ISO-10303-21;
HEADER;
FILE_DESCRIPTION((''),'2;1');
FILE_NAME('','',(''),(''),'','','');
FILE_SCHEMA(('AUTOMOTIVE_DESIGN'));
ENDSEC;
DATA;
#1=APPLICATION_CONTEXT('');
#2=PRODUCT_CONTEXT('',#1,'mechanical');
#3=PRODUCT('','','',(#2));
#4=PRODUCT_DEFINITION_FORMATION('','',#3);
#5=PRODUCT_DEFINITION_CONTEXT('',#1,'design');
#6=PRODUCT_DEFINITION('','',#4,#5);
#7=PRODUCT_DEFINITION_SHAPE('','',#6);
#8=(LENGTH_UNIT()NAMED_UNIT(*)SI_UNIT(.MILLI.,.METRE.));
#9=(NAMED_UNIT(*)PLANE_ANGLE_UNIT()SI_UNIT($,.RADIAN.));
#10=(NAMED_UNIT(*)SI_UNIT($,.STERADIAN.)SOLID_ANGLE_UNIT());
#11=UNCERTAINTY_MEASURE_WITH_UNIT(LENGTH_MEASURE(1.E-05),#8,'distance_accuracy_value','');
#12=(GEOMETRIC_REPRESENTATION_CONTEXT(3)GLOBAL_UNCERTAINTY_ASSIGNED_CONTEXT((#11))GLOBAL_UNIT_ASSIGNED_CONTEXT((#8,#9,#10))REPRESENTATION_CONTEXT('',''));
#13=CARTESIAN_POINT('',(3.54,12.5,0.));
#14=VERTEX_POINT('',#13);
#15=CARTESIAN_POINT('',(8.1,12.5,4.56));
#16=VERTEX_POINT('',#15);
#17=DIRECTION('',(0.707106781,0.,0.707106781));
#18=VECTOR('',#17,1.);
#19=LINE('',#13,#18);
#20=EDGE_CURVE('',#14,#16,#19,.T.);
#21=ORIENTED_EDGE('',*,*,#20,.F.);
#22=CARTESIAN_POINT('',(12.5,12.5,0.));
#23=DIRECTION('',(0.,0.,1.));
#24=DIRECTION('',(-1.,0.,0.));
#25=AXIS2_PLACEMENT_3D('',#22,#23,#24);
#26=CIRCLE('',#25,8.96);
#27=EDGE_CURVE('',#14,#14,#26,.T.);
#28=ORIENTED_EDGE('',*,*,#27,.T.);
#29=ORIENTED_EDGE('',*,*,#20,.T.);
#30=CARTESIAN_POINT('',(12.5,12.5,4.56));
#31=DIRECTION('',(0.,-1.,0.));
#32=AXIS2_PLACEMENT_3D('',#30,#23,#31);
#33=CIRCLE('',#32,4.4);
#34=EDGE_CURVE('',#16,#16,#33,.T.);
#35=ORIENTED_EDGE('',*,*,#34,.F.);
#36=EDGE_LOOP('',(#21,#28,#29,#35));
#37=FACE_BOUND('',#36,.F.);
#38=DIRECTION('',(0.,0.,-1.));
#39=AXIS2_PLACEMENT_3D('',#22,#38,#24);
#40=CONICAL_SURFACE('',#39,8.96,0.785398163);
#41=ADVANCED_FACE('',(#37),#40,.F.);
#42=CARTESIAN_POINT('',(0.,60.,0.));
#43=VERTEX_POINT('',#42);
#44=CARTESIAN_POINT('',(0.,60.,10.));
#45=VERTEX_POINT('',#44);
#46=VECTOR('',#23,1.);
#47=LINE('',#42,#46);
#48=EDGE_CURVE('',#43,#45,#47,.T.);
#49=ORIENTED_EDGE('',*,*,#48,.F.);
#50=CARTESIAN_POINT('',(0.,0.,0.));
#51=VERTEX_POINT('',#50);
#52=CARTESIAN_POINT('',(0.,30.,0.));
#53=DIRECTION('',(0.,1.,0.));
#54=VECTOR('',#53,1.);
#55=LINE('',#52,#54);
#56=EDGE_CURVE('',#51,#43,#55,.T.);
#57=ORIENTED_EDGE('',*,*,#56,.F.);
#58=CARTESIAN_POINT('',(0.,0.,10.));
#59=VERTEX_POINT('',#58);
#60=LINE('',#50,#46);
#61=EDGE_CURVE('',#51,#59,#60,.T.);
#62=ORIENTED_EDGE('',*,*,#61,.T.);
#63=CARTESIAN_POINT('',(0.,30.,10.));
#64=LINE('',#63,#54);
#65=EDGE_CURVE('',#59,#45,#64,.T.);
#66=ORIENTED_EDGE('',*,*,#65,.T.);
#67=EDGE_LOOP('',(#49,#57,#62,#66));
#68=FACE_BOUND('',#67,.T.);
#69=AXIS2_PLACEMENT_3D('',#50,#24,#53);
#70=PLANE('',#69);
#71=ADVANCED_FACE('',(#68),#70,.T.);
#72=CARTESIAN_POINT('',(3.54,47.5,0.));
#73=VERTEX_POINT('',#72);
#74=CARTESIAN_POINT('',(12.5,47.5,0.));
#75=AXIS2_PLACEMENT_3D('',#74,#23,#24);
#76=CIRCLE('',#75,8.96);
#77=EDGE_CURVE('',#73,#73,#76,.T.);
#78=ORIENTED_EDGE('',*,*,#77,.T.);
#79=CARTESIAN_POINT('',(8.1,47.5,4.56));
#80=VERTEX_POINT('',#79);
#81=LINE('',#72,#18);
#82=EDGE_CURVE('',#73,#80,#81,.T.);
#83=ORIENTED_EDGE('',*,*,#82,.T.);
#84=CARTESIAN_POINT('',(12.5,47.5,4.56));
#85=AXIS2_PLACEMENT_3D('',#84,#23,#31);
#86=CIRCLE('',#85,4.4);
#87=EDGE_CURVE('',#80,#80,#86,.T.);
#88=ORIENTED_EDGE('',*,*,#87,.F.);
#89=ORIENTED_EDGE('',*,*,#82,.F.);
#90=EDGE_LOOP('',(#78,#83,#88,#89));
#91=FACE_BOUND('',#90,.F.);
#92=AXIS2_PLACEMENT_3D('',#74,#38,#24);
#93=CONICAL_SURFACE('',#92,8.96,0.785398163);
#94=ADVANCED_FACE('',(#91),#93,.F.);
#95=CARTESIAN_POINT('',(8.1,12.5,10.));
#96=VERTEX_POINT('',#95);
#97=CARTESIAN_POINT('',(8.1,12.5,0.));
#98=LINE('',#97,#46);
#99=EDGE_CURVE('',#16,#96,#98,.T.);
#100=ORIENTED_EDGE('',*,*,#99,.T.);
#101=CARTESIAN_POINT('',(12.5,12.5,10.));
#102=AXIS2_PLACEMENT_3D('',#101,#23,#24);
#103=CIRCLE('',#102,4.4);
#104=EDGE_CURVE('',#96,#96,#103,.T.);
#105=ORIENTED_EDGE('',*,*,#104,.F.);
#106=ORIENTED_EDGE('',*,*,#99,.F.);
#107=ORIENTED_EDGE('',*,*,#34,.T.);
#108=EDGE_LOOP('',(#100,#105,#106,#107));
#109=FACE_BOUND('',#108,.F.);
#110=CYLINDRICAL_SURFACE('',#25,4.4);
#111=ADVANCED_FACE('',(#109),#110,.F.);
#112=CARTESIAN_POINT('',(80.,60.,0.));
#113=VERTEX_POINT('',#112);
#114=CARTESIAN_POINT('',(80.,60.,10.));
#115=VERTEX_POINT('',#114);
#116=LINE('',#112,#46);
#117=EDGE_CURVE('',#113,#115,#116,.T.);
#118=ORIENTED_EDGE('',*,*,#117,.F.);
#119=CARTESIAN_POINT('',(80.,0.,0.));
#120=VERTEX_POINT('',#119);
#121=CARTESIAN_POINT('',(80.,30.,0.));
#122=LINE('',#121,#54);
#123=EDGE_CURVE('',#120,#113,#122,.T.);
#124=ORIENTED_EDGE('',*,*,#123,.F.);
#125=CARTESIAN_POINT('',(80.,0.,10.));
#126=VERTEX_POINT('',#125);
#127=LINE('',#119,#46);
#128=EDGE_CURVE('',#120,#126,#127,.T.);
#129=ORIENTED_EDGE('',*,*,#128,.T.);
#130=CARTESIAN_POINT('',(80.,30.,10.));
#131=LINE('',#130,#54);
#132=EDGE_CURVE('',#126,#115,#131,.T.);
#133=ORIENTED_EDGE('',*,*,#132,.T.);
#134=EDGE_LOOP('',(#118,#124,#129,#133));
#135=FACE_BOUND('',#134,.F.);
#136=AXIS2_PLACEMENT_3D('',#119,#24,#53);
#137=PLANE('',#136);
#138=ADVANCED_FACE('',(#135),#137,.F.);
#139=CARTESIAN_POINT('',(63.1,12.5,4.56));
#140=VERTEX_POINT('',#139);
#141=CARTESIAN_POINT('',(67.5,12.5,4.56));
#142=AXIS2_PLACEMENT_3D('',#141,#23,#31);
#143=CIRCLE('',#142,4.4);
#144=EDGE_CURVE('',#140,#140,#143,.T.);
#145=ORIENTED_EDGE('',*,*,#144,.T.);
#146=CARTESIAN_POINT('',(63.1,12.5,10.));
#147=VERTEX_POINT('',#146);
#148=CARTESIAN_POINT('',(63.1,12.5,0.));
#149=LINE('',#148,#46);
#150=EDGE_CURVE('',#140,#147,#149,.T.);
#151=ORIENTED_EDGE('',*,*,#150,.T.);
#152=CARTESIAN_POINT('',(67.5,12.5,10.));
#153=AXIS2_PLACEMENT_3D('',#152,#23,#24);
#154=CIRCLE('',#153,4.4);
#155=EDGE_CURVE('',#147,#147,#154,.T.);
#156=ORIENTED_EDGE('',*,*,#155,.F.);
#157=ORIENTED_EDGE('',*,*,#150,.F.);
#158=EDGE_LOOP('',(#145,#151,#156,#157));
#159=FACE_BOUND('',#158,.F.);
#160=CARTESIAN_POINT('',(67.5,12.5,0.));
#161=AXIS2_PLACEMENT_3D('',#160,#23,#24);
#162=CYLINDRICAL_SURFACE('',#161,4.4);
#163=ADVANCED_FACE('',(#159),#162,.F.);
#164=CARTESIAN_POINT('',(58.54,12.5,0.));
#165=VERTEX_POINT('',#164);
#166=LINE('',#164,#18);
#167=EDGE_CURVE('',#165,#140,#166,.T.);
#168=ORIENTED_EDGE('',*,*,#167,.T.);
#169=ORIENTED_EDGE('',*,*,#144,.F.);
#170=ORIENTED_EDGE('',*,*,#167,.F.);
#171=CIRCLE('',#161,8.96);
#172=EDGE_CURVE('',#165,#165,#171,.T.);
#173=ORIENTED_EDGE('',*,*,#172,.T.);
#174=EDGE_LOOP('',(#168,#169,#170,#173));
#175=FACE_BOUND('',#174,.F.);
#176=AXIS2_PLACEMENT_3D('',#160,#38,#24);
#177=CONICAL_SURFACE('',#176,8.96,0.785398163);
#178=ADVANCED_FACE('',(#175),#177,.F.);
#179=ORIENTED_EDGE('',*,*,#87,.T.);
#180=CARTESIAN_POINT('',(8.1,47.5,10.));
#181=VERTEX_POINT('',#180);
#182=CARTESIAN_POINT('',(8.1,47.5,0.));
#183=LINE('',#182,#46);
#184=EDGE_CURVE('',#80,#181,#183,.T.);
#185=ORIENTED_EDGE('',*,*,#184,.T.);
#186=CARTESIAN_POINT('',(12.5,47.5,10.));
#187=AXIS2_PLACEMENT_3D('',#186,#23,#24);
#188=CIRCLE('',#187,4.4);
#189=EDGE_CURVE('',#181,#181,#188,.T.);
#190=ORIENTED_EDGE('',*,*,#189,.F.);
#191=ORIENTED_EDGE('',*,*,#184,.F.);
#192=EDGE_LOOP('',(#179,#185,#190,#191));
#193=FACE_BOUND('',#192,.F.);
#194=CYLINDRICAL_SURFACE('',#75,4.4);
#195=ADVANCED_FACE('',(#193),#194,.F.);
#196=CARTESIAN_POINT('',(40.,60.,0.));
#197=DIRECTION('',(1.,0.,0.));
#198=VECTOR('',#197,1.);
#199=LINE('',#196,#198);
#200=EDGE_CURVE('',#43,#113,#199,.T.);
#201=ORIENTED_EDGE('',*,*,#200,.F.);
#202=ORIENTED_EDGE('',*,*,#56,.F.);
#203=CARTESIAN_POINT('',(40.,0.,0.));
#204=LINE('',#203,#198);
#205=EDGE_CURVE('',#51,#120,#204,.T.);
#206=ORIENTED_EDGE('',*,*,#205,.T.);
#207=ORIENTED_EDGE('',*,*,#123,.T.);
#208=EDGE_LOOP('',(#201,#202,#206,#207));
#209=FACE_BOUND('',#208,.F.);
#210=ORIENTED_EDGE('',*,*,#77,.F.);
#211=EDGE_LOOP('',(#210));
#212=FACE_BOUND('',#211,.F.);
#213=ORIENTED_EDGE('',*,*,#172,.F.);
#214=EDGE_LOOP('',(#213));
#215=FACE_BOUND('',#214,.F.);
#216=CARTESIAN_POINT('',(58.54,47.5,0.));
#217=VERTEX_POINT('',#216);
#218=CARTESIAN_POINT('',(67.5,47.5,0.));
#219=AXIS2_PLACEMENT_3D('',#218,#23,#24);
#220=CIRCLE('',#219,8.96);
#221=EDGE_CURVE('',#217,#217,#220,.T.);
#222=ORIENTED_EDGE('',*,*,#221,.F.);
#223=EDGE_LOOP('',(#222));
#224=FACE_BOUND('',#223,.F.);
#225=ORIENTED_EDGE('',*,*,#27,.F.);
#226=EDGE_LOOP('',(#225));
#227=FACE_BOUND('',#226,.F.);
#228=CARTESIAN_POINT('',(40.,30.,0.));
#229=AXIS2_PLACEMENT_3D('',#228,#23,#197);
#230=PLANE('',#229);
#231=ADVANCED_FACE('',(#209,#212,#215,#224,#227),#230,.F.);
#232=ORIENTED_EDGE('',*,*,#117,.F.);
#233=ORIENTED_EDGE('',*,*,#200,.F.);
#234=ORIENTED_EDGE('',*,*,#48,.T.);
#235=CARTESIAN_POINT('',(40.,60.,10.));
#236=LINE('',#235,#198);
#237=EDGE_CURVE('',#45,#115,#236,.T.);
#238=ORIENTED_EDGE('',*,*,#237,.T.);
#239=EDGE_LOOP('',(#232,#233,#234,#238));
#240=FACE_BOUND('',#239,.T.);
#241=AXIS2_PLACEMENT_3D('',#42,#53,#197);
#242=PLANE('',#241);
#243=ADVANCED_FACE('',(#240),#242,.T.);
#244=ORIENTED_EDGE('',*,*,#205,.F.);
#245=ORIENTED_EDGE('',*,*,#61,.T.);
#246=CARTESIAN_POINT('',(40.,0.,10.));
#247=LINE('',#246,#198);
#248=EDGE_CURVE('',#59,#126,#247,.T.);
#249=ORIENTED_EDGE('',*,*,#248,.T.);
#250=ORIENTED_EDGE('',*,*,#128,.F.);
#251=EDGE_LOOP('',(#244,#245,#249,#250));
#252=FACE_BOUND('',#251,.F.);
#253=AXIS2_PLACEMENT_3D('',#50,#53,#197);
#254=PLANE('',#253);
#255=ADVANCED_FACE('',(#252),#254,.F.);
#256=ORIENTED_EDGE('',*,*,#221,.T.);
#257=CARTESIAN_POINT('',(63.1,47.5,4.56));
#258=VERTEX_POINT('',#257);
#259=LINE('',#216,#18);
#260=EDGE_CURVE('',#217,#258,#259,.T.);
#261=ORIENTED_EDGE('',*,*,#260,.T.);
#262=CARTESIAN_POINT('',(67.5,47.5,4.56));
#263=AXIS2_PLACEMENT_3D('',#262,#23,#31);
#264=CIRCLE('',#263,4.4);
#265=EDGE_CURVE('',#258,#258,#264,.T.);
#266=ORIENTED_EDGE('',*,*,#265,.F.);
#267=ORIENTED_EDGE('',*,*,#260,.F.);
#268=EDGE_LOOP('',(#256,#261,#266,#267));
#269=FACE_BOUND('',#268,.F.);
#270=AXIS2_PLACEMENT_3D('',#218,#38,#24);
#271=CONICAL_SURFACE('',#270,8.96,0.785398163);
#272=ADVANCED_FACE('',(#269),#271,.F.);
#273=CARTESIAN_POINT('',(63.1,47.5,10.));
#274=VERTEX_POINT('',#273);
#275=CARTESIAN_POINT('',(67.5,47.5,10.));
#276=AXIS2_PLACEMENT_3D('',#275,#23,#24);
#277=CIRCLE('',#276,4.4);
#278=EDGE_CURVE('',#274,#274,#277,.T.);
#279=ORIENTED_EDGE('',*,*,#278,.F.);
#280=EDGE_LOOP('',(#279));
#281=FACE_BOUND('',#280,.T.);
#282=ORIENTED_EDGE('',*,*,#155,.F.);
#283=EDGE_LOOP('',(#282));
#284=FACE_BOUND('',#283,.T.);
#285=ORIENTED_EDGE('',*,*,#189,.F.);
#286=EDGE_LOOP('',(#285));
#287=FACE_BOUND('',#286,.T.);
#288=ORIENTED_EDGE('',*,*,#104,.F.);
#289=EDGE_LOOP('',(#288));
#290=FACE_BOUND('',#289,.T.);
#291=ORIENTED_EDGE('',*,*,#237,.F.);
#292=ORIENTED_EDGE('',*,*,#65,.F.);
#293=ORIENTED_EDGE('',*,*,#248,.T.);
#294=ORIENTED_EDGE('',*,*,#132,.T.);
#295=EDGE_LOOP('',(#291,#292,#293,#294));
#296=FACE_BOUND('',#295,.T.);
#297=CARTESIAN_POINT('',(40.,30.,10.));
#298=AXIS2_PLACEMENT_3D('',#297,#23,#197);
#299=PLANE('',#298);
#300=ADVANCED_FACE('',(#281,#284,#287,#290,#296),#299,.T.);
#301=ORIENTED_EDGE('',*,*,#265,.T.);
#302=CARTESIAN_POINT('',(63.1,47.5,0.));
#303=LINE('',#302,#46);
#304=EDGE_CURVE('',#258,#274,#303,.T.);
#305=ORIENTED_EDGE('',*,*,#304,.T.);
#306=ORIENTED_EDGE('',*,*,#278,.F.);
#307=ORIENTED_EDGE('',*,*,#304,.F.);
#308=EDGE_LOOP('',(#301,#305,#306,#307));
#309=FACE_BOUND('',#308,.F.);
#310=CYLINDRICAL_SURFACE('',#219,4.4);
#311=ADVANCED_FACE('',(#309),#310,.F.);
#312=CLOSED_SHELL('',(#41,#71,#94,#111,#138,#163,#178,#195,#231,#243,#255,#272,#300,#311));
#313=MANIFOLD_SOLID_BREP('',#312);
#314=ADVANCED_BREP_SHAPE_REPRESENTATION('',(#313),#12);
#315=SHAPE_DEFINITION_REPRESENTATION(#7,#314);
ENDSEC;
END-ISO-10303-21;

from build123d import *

# Parameters (mm, degrees)
F0_W           = 80
F0_H           = 60
F0_W_2         = 55
F0_H_2         = 35
F1_DEPTH       = 10
F2_D           = 8.8
F2_CSINK_D     = 17.92
F2_CSINK_ANGLE = 90


with BuildPart() as f1:
    # F0 (on Top) → F1 (new body)
    with BuildSketch(Plane.XY):
        with Locations((40, 30)):
            Rectangle(F0_W, F0_H)
        with Locations((40, 30)):
            Rectangle(F0_W_2, F0_H_2, mode=Mode.SUBTRACT)
        with Locations((40, 30)):
            Rectangle(F0_W_2, F0_H_2)
    extrude(amount=F1_DEPTH)

    # F2 (through all)
    with Locations(Plane(origin=(0, 0, 0), x_dir=(1, 0, 0), z_dir=(0, 0, -1))):
        with Locations((12.5, -12.5), (67.5, -12.5), (67.5, -47.5), (12.5, -47.5)):
            CounterSinkHole(F2_D / 2, F2_CSINK_D / 2, counter_sink_angle=F2_CSINK_ANGLE)


solid = f1.part
